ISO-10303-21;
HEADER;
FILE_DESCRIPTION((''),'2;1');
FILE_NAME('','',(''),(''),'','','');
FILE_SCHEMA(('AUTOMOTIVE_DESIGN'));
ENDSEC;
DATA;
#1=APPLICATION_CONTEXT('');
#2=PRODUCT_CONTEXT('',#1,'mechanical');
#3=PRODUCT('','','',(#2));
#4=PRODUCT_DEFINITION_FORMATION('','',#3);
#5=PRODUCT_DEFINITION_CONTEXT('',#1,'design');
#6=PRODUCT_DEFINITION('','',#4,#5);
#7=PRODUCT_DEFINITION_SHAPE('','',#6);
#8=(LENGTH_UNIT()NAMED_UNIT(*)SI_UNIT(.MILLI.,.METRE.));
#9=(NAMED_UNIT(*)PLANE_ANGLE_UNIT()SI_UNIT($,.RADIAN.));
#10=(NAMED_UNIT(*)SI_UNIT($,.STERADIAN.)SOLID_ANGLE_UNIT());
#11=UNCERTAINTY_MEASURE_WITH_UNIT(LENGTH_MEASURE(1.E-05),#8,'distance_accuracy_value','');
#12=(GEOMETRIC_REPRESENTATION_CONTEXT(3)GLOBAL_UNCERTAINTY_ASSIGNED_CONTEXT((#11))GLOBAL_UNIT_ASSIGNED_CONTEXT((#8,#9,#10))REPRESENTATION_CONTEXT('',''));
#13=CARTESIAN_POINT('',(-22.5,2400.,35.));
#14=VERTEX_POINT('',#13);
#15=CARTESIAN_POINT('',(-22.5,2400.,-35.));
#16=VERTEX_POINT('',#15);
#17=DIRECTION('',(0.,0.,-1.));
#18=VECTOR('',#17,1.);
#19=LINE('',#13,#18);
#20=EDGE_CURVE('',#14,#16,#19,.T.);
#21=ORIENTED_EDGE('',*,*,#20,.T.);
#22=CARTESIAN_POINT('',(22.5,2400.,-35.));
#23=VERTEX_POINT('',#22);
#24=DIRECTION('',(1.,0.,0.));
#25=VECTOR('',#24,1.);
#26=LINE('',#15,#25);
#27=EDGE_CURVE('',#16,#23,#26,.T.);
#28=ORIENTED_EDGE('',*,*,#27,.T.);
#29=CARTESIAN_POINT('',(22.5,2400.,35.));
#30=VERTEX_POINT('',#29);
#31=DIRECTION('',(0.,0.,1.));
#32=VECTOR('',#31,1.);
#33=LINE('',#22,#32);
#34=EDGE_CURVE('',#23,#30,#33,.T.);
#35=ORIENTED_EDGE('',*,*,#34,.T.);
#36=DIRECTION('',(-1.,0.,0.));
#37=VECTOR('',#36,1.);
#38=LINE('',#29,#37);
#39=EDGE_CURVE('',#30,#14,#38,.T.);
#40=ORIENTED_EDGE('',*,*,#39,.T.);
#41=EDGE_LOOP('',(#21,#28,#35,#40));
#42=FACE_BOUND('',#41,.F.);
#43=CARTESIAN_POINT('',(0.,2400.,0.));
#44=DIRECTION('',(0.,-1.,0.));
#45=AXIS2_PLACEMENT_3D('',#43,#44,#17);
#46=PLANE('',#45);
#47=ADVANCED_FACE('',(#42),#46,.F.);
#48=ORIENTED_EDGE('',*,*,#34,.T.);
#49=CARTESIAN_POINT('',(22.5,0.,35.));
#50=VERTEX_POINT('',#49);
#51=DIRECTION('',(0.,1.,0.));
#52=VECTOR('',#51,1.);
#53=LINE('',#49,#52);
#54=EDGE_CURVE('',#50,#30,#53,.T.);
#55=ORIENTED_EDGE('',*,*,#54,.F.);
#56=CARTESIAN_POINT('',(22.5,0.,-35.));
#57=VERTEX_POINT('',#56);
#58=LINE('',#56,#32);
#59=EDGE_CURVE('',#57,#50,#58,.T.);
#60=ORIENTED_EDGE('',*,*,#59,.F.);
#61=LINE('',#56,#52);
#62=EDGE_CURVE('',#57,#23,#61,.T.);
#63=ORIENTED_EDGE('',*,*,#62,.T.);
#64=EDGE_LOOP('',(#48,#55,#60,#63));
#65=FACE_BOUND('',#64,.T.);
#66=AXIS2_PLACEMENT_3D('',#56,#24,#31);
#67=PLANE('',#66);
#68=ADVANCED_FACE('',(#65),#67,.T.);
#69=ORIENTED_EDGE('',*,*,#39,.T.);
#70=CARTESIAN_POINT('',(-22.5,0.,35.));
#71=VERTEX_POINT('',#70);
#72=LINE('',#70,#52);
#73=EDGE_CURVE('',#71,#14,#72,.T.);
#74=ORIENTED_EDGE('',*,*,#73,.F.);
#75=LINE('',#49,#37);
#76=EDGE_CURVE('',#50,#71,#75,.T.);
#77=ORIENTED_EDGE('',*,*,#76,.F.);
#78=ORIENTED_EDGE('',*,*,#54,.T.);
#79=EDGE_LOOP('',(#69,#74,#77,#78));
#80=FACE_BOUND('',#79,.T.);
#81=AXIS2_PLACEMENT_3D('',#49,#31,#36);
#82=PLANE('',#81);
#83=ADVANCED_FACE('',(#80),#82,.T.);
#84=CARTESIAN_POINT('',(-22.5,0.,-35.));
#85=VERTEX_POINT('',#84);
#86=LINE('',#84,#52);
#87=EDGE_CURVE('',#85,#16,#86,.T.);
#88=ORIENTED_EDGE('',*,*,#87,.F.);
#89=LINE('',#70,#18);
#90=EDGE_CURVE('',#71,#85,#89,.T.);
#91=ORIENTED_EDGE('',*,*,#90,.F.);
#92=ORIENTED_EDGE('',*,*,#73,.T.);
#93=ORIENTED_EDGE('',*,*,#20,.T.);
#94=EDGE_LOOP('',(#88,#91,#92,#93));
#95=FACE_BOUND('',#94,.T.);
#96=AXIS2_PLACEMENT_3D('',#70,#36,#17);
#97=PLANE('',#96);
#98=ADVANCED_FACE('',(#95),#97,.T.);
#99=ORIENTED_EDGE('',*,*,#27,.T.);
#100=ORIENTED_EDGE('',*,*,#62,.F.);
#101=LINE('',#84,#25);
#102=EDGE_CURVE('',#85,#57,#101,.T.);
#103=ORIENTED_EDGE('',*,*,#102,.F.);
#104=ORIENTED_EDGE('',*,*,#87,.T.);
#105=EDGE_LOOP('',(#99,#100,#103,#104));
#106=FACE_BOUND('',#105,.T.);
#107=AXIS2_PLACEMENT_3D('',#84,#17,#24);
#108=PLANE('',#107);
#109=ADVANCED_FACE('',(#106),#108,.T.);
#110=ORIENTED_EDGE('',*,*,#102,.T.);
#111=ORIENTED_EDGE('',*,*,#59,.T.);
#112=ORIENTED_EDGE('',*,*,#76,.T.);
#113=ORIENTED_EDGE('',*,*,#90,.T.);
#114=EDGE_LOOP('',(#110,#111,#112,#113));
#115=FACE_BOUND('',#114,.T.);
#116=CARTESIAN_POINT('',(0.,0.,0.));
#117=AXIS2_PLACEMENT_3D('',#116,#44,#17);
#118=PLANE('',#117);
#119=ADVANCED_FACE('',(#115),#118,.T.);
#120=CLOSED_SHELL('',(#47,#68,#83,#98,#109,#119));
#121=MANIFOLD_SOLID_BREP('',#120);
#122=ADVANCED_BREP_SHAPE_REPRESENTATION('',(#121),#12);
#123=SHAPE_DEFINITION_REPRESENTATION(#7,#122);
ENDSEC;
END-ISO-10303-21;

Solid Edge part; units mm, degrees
sketch "Sketch1" plane through (0, 0, 0) normal (0, -1, 0) x (1, 0, 0)
  line L0 (-22.5, -35) -> (22.5, -35)
  line L1 (22.5, -35) -> (22.5, 35)
  line L2 (22.5, 35) -> (-22.5, 35)
  line L3 (-22.5, 35) -> (-22.5, -35)
extrude "Protrusion1" add sketch "Sketch1" against normal blind 2400
properties material "Wood, Pine"
